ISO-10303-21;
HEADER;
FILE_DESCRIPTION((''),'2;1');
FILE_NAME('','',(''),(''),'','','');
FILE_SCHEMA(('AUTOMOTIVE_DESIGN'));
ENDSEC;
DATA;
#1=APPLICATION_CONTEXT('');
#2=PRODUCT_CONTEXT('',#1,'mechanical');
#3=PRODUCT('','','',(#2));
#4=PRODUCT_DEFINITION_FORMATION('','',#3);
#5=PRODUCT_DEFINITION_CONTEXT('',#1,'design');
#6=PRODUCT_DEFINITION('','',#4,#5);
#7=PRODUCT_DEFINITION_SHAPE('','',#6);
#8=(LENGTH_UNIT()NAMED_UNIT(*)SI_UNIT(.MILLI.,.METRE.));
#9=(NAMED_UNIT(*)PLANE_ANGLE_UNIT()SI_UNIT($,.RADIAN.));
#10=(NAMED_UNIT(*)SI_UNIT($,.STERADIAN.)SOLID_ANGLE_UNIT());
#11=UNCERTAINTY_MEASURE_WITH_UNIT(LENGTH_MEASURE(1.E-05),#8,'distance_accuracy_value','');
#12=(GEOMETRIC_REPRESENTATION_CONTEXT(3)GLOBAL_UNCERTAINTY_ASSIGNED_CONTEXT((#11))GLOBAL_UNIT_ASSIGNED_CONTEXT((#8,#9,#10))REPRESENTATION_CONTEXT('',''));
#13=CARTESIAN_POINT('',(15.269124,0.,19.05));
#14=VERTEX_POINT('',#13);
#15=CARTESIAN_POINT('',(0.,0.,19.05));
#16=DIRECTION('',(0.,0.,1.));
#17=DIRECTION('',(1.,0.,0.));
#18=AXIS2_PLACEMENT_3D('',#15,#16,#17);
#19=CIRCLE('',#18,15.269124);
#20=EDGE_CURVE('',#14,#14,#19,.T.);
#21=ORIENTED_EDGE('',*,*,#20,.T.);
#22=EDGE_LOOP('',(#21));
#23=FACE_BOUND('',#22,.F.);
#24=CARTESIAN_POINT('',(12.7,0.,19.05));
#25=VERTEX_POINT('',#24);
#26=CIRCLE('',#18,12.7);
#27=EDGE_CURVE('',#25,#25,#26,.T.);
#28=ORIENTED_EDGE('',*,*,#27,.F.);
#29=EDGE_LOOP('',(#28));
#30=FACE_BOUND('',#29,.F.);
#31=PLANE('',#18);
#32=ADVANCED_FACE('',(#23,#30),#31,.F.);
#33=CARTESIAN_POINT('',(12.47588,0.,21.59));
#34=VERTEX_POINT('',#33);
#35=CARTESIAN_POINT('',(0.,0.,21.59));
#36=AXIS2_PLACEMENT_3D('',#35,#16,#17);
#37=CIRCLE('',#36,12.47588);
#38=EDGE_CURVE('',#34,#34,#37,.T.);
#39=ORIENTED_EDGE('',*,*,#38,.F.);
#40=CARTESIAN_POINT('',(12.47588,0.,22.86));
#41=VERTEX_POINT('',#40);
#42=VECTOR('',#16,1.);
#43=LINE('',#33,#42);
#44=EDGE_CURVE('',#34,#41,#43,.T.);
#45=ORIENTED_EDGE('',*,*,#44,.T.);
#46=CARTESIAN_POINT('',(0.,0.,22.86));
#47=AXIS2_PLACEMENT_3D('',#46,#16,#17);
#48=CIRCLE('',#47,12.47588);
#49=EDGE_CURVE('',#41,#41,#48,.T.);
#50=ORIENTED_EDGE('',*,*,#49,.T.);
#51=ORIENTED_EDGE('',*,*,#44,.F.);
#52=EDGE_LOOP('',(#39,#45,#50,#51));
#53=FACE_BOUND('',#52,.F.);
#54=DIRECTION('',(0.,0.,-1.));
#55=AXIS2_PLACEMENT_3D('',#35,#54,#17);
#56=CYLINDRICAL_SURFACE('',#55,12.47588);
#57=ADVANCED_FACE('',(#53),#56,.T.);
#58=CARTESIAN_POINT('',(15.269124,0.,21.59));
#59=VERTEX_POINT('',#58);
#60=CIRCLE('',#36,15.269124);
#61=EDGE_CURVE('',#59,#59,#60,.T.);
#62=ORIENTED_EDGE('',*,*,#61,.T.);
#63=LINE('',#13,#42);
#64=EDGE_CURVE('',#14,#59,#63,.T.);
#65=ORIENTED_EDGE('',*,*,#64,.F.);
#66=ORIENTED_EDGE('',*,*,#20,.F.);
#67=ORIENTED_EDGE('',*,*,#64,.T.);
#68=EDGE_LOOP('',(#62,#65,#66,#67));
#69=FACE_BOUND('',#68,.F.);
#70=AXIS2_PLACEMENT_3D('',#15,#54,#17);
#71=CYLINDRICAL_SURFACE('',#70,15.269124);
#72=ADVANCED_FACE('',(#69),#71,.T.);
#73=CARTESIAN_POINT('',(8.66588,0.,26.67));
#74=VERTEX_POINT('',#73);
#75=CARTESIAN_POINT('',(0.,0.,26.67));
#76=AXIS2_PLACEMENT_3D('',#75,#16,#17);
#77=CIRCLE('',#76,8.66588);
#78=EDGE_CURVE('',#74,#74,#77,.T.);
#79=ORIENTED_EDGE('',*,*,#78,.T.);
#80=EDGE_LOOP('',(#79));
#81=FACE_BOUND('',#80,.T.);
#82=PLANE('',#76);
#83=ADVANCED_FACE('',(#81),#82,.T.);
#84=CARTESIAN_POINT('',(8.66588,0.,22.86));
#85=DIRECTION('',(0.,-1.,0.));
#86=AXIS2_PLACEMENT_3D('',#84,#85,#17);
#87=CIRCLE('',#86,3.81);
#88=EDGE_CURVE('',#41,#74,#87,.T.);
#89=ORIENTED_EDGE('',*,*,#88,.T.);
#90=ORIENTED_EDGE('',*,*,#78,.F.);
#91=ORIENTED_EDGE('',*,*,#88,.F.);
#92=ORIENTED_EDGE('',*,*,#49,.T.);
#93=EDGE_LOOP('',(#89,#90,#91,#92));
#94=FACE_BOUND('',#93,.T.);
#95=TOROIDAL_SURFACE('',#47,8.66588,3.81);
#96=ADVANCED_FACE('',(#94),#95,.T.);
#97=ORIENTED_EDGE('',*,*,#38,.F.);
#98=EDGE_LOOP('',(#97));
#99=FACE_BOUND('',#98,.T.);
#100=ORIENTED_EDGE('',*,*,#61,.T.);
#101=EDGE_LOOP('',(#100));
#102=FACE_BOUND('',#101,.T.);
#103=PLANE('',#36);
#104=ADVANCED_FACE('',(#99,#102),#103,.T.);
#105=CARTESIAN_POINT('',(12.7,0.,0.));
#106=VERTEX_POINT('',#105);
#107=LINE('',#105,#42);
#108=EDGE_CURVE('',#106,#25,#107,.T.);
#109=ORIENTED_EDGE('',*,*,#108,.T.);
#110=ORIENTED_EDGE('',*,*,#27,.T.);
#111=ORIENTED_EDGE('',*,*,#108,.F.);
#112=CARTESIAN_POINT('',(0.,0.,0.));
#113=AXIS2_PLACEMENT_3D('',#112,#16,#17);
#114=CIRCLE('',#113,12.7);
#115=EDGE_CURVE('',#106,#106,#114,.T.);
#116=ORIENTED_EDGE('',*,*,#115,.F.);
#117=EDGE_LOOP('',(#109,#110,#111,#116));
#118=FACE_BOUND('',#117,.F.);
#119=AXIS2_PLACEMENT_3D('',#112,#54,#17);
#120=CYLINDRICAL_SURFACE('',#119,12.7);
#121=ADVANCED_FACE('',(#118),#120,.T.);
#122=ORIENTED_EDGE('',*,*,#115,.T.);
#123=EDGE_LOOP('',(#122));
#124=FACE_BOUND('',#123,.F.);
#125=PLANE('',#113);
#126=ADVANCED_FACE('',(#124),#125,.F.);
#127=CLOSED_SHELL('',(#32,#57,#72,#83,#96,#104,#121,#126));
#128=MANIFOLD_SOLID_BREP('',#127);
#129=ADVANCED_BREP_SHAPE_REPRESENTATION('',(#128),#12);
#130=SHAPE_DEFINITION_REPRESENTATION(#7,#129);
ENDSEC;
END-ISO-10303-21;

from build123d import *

# Parameters (mm, degrees)
F0_R     = 12.7
F1_DEPTH = 19.05
F2_R     = 15.2691244528
F2_R_2   = 12.7
F3_DEPTH = 2.54
F4_R     = 12.475880284
F5_DEPTH = 5.08
F6_R     = 3.81


with BuildPart() as f1:
    # F0 (on Top) → F1 (new body)
    with BuildSketch(Plane.XY):
        Circle(F0_R)
    extrude(amount=F1_DEPTH)

    # F2 (on face) → F3 (join)
    with BuildSketch(Plane.XY.offset(19.05)):
        Circle(F2_R)
        Circle(F2_R_2, mode=Mode.SUBTRACT)
        Circle(F2_R_2)
    extrude(amount=F3_DEPTH)

    # F4 (on face) → F5 (join)
    with BuildSketch(Plane.XY.offset(21.59)):
        Circle(F4_R)
    extrude(amount=F5_DEPTH)

    # F6
    f6_edges = [f1.edges().sort_by_distance(p)[0] for p in [
        (-12.47588, 0, 26.67),
    ]]
    fillet(f6_edges, radius=F6_R)


solid = f1.part
